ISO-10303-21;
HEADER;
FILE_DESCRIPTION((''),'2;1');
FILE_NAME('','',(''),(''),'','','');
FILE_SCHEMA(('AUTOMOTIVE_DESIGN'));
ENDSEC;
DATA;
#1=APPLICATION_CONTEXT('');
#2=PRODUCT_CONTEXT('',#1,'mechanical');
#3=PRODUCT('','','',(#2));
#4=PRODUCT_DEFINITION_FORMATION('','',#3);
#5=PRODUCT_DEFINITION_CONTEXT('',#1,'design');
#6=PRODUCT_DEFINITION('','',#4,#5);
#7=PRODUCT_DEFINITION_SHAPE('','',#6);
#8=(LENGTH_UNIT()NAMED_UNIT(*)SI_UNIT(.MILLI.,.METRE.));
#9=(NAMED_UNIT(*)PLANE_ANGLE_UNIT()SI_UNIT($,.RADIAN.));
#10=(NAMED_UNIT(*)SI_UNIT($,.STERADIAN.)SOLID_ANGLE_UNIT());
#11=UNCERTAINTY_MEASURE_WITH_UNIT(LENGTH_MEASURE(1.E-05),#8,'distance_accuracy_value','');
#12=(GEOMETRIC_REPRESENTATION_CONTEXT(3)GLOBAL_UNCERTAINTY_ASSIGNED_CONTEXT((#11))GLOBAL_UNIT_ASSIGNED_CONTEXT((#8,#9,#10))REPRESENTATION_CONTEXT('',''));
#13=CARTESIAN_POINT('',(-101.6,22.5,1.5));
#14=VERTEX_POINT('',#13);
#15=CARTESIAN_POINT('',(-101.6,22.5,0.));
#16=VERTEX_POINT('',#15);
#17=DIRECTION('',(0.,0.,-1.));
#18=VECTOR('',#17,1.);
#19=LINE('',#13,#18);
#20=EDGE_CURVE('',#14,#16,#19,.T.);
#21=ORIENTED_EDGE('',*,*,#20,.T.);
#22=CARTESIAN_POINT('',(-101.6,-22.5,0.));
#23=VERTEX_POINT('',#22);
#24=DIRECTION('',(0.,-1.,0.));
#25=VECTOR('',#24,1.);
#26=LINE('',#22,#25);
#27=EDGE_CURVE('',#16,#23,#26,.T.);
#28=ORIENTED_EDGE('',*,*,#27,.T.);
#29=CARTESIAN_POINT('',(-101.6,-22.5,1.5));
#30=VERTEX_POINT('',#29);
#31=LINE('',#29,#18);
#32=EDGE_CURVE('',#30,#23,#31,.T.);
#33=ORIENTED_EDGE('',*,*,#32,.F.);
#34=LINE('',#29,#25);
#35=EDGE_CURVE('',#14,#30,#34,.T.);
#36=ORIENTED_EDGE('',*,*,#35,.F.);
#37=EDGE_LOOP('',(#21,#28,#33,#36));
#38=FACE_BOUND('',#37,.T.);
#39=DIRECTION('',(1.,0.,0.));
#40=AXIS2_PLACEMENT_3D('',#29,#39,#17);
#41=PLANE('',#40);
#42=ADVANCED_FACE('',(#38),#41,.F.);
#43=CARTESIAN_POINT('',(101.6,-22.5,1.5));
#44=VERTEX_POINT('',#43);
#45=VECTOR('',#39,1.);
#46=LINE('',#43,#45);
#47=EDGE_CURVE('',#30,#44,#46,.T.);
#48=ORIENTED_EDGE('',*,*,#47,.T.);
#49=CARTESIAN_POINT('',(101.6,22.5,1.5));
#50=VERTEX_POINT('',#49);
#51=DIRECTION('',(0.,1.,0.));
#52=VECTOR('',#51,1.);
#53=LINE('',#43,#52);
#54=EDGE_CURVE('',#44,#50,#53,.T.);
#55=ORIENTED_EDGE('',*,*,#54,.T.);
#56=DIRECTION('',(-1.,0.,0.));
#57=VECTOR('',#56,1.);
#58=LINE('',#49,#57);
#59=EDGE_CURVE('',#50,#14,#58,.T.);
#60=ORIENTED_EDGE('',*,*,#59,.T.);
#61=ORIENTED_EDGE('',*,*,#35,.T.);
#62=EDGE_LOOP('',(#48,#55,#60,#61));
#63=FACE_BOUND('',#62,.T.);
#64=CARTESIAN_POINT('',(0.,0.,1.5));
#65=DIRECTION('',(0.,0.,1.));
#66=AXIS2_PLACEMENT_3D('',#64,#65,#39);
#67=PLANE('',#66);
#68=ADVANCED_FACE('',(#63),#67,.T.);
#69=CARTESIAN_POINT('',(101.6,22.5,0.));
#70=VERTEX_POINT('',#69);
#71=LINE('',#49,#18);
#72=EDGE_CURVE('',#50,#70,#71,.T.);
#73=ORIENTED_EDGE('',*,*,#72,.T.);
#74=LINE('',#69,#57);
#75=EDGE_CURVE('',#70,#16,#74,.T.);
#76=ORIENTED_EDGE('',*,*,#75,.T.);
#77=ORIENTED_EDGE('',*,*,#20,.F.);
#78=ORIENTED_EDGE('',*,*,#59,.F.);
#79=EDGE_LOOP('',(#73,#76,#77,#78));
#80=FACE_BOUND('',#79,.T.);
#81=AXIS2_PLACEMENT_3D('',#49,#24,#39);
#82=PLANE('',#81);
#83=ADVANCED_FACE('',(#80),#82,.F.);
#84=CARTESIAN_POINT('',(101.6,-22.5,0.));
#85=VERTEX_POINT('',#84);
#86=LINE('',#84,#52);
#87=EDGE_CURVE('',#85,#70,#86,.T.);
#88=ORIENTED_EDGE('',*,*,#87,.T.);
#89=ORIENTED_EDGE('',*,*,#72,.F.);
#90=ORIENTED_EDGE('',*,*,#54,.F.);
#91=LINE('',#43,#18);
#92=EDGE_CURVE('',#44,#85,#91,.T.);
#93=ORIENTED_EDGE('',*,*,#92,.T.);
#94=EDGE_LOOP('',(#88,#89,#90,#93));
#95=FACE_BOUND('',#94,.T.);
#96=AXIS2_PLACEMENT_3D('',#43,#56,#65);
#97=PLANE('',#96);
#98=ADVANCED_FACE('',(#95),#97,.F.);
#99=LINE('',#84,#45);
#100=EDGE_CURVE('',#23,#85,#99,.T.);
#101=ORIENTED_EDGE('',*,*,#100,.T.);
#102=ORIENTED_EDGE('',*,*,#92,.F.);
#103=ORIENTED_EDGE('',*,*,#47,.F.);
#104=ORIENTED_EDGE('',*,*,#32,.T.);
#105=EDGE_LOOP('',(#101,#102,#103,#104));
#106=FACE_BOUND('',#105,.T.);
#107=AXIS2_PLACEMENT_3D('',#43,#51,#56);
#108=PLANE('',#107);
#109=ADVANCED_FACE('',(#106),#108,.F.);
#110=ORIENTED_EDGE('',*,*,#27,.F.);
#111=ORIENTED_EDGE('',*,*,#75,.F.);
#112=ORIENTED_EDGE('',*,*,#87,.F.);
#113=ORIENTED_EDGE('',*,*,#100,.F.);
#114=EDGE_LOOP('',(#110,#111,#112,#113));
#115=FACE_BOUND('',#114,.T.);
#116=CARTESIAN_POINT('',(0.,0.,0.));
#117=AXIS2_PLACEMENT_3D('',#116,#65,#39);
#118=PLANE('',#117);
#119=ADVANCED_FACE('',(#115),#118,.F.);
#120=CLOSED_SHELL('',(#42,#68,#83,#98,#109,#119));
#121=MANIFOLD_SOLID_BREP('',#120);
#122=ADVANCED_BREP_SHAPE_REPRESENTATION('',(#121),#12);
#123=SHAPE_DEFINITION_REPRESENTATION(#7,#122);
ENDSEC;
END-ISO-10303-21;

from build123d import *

# Parameters (mm, degrees)
SKETCH1_W           = 203.2
SKETCH1_H           = 45
BOSS_EXTRUDE1_DEPTH = 1.5


with BuildPart() as part:
    # Sketch1 → Boss-Extrude1 (new body)
    with BuildSketch(Plane.XY):
        Rectangle(SKETCH1_W, SKETCH1_H)
    extrude(amount=BOSS_EXTRUDE1_DEPTH)


solid = part.part
